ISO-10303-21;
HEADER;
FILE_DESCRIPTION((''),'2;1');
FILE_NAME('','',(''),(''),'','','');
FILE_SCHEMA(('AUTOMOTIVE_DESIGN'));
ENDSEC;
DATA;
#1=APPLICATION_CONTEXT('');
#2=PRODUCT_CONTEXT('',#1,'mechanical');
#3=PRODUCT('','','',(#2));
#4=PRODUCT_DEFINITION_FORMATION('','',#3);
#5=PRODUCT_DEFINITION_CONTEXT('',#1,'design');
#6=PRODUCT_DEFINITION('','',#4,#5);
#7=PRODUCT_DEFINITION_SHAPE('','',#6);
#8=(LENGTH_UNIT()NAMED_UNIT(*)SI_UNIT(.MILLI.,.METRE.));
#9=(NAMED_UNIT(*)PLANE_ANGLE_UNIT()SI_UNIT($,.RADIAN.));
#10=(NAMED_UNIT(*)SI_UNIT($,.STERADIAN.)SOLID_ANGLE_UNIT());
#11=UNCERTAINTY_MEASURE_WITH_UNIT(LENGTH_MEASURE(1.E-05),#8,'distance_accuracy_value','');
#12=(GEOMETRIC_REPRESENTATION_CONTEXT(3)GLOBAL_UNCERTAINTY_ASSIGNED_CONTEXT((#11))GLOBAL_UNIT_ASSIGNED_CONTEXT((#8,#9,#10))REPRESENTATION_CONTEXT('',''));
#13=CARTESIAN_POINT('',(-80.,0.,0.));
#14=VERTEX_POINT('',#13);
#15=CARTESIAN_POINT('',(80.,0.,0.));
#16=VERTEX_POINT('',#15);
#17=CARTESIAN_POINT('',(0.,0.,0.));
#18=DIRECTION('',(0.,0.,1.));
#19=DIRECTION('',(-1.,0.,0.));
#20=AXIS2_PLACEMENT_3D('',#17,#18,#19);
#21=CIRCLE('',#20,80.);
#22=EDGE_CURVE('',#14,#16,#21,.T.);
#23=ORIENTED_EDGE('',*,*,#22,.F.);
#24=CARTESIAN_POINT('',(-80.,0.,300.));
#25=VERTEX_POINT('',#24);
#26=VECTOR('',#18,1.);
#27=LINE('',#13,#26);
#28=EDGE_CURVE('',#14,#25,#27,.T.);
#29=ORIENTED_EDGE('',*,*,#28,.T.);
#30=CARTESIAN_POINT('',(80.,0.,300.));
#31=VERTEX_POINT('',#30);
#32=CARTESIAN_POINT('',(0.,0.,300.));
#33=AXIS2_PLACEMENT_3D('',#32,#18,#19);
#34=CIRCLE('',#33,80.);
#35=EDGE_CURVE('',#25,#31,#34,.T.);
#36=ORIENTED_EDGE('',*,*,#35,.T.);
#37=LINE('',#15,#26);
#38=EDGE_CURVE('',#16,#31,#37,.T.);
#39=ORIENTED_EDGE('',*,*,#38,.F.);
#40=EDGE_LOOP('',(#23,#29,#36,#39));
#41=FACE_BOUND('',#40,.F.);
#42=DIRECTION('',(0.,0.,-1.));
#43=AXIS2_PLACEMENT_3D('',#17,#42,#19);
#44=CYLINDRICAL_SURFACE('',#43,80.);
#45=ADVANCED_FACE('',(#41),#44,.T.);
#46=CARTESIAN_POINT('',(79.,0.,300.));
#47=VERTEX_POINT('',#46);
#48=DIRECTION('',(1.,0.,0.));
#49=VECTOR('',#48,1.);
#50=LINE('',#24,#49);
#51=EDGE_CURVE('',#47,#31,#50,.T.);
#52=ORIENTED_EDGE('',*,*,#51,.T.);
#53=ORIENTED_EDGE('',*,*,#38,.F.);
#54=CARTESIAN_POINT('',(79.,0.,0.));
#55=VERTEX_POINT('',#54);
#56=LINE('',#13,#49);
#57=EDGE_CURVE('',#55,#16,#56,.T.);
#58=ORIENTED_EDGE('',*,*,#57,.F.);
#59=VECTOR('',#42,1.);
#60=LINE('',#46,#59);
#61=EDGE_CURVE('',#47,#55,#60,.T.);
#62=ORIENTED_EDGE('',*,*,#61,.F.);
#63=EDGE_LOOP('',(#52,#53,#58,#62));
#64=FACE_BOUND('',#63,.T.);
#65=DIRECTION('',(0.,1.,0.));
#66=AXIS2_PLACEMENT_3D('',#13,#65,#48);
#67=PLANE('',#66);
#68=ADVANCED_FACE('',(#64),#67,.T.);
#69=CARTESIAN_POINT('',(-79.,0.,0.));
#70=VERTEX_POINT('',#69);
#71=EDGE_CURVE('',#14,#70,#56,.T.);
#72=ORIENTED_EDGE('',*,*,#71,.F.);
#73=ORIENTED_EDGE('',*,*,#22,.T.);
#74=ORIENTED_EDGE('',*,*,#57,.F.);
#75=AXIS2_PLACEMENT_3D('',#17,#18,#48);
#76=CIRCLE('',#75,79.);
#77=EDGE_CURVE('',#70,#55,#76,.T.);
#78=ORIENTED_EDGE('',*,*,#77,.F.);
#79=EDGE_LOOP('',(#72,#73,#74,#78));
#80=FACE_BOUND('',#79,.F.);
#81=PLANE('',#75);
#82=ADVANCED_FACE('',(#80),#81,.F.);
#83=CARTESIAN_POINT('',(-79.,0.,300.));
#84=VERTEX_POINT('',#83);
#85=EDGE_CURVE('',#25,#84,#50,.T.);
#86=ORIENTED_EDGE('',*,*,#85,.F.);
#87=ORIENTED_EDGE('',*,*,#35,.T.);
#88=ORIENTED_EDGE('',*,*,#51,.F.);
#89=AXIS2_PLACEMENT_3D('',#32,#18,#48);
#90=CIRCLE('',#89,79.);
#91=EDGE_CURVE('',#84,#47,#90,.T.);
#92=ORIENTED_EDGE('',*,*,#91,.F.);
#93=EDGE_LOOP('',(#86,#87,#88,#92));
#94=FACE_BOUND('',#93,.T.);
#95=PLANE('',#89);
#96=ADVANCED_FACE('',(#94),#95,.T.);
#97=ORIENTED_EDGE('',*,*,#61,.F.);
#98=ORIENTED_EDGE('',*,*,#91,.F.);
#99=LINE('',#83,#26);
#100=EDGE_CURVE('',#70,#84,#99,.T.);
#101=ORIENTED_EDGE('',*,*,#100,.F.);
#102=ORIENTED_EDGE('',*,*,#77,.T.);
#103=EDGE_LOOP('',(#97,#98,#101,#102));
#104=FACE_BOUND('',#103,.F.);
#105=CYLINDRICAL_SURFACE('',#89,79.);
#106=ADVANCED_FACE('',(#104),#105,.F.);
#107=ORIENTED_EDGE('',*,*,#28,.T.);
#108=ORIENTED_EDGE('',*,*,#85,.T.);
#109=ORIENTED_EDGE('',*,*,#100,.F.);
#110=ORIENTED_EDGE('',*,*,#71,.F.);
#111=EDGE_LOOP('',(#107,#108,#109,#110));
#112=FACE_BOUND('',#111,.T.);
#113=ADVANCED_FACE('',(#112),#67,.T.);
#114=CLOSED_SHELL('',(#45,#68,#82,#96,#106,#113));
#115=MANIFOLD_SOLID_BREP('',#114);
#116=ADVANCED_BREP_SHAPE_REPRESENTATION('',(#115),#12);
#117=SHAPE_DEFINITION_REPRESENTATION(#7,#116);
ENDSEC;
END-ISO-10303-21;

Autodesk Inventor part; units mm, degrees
ref_plane "YZ Plane" through (0, 0, 0) normal (1, 0, 0) x (0, 1, 0)
ref_plane "XZ Plane" through (0, 0, 0) normal (0, 1, 0) x (-1, 0, 0)
ref_plane "XY Plane" through (0, 0, 0) normal (0, 0, 1) x (1, 0, 0)
sketch "スケッチ1" plane through (0, 0, 0) normal (0, 0, 1) x (1, 0, 0)
  point P0 (0, 0)
sketch "スケッチ2" plane through (0, 0, 0) normal (0, 0, 1) x (1, 0, 0)
  arc A0 (-80, 0) -> (80, 0) centre (0, 0) ccw
  line L0 (-80, 0) -> (80, 0)
  dimension "d0" = 160
extrude "押し出し1" add sketch "スケッチ2" along normal blind 300
sketch "スケッチ3" plane through (0, 0, 300) normal (0, 0, 1) x (1, 0, 0)
  circle A0 centre (0, 0) radius 79
  dimension "d3" = 158
extrude "押し出し2" cut sketch "スケッチ3" against normal blind 300
properties part number "NHK_rall"
